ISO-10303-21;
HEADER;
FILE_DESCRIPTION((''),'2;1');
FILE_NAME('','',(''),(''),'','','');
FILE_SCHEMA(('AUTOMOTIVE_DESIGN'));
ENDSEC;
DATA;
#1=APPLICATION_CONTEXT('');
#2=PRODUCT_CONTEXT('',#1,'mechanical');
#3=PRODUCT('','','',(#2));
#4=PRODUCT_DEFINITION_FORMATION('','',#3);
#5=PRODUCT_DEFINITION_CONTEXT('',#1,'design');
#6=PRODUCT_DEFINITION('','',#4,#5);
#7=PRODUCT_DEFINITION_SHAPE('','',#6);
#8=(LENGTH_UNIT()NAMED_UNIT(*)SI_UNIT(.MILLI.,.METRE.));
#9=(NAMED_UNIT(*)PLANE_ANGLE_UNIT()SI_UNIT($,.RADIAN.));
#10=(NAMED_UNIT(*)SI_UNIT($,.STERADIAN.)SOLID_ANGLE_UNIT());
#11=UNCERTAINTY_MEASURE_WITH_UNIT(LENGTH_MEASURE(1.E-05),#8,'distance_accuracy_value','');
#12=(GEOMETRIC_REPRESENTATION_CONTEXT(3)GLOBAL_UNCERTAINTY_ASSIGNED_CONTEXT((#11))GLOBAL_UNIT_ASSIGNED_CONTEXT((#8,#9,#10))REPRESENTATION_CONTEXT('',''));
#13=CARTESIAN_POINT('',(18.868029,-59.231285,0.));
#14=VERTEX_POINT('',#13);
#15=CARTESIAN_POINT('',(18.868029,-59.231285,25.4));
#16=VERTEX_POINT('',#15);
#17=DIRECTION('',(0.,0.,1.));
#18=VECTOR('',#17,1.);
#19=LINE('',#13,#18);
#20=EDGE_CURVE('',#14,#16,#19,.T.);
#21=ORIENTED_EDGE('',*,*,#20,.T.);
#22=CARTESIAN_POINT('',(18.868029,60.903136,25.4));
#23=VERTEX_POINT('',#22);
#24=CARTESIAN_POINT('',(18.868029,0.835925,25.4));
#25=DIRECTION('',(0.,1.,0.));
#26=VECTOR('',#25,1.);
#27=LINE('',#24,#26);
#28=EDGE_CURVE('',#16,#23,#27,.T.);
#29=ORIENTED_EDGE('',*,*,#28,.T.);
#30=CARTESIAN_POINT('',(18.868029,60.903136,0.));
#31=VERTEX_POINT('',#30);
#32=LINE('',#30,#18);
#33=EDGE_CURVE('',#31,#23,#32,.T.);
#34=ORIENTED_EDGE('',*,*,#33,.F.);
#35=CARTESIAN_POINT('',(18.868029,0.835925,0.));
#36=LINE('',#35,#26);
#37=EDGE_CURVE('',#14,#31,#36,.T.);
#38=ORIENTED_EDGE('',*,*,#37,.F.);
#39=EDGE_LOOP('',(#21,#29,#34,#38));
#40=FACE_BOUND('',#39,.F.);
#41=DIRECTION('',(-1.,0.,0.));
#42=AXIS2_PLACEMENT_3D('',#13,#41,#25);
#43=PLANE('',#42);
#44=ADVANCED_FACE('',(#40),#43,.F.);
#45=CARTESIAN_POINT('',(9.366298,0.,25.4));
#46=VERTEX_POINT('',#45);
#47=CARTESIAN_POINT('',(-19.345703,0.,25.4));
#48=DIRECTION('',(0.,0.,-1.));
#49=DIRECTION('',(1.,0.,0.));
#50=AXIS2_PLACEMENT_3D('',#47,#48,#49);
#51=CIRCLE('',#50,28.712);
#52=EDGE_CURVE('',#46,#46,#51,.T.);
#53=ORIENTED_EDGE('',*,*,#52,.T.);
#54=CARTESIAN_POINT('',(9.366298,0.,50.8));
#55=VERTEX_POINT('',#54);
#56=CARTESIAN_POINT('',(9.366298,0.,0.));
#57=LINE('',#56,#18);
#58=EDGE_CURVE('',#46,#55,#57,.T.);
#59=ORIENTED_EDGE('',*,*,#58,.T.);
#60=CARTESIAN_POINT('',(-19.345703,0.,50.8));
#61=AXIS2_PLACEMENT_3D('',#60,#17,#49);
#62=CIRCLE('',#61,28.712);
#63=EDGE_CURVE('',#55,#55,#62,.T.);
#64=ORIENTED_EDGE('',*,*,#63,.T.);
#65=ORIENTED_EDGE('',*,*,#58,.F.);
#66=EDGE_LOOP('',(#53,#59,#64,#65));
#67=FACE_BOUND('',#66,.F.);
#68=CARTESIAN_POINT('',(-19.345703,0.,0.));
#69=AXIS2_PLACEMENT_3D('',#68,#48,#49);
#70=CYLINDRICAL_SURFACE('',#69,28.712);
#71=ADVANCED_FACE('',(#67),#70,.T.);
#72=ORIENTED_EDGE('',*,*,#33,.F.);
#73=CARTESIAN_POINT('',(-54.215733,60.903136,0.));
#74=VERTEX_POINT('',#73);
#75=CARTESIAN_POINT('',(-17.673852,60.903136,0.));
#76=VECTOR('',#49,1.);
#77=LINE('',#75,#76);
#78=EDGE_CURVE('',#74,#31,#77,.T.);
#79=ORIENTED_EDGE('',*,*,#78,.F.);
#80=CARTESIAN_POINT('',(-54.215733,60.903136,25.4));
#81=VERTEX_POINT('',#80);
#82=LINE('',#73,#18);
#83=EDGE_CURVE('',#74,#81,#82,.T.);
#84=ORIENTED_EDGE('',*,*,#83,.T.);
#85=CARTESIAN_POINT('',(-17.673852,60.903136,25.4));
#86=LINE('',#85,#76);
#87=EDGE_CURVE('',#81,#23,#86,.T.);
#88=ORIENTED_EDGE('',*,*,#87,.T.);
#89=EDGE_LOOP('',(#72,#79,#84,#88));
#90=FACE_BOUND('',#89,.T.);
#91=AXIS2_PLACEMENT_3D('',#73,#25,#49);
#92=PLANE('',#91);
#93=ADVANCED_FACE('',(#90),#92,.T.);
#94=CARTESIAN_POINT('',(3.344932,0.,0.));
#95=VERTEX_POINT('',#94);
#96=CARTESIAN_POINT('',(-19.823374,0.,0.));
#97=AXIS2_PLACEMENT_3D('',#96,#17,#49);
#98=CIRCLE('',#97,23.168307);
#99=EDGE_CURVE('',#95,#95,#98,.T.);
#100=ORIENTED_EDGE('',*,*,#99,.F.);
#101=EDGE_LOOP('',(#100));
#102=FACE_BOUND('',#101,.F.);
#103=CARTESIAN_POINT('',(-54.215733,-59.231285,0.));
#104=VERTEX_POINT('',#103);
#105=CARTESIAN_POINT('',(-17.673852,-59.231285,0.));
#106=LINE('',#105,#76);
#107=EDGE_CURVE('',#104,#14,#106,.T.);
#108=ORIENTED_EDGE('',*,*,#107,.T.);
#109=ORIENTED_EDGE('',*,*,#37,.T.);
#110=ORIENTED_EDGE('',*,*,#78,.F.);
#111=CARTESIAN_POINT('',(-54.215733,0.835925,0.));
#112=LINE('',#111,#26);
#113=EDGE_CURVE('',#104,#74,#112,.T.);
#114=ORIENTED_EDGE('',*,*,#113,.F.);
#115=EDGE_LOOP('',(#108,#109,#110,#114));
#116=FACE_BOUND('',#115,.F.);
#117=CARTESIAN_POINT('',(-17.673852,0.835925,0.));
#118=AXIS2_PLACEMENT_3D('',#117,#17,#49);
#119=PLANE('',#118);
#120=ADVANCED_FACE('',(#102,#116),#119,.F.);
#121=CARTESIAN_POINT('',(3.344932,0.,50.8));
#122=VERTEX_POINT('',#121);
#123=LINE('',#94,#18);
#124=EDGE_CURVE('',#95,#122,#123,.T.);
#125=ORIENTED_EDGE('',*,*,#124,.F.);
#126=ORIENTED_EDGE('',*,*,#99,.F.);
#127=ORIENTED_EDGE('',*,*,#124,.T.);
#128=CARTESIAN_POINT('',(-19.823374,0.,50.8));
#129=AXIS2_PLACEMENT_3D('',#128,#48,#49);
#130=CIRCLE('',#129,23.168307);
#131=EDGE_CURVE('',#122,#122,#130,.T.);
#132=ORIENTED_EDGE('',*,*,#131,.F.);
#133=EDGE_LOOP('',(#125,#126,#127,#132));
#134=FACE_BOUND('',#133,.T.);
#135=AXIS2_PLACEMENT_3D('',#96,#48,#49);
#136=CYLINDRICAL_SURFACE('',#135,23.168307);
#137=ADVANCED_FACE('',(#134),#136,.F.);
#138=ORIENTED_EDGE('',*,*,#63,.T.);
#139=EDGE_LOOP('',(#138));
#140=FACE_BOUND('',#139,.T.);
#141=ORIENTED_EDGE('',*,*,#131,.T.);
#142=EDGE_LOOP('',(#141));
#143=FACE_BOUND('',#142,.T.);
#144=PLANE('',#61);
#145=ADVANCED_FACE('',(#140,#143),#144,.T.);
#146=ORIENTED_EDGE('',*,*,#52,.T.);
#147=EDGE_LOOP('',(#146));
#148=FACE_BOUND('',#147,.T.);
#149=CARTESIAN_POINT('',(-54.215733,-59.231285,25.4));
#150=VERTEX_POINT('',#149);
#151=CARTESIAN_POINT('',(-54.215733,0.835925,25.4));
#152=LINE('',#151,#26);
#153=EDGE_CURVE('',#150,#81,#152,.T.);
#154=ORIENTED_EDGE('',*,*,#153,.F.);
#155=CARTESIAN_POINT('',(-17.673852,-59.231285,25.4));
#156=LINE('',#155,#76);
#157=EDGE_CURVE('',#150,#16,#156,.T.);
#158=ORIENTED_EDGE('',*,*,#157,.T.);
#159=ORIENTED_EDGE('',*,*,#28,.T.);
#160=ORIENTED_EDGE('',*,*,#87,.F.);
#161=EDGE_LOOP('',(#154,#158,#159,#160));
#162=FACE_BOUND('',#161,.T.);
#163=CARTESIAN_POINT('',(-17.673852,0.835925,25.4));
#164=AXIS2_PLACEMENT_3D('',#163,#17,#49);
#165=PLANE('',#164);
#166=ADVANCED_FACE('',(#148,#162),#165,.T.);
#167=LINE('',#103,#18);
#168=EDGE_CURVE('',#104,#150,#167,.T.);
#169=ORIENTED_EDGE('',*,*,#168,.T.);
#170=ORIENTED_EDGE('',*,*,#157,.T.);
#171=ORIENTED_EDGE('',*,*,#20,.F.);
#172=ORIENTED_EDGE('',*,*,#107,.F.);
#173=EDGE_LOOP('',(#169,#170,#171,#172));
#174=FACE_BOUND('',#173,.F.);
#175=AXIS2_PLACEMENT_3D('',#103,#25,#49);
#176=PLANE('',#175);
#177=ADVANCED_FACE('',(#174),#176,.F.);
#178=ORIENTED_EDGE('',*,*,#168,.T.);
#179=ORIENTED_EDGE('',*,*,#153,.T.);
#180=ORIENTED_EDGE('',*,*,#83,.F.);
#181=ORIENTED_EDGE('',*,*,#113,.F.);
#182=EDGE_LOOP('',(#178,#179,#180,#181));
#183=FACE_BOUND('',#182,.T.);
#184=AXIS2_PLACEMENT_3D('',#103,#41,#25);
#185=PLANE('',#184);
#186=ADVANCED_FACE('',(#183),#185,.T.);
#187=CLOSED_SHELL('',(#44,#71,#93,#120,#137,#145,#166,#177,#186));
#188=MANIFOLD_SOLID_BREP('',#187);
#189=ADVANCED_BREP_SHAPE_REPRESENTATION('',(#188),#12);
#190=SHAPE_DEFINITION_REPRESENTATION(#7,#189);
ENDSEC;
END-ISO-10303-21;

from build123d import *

# Parameters (mm, degrees)
F1_R     = 28.7120004049
F2_DEPTH = 50.8
F0_W     = 73.0837620795
F0_H     = 120.1344206929
F3_DEPTH = 25.4
F4_R     = 23.1683066689
F5_DEPTH = 149.098
F6_DEPTH = 50.8


with BuildPart() as f2:
    # F1 (on Top) → F2 (new body)
    with BuildSketch(Plane.XY):
        with Locations((-19.3457026035, 0)):
            Circle(F1_R)
    extrude(amount=F2_DEPTH)

    # F0 (on Top) → F3 (join)
    with BuildSketch(Plane.XY):
        with Locations((-17.6738519222, 0.8359253407)):
            Rectangle(F0_W, F0_H)
    extrude(amount=F3_DEPTH)

    # F4 (on Top) → F5 (cut)
    with BuildSketch(Plane.XY):
        with Locations((-19.8233742267, 0)):
            Circle(F4_R)
    extrude(amount=F5_DEPTH, mode=Mode.SUBTRACT)

    # F4 (on Top) → F6 (cut)
    with BuildSketch(Plane.XY):
        with Locations((-19.8233742267, 0)):
            Circle(F4_R)
    extrude(amount=F6_DEPTH, mode=Mode.SUBTRACT)


solid = f2.part
